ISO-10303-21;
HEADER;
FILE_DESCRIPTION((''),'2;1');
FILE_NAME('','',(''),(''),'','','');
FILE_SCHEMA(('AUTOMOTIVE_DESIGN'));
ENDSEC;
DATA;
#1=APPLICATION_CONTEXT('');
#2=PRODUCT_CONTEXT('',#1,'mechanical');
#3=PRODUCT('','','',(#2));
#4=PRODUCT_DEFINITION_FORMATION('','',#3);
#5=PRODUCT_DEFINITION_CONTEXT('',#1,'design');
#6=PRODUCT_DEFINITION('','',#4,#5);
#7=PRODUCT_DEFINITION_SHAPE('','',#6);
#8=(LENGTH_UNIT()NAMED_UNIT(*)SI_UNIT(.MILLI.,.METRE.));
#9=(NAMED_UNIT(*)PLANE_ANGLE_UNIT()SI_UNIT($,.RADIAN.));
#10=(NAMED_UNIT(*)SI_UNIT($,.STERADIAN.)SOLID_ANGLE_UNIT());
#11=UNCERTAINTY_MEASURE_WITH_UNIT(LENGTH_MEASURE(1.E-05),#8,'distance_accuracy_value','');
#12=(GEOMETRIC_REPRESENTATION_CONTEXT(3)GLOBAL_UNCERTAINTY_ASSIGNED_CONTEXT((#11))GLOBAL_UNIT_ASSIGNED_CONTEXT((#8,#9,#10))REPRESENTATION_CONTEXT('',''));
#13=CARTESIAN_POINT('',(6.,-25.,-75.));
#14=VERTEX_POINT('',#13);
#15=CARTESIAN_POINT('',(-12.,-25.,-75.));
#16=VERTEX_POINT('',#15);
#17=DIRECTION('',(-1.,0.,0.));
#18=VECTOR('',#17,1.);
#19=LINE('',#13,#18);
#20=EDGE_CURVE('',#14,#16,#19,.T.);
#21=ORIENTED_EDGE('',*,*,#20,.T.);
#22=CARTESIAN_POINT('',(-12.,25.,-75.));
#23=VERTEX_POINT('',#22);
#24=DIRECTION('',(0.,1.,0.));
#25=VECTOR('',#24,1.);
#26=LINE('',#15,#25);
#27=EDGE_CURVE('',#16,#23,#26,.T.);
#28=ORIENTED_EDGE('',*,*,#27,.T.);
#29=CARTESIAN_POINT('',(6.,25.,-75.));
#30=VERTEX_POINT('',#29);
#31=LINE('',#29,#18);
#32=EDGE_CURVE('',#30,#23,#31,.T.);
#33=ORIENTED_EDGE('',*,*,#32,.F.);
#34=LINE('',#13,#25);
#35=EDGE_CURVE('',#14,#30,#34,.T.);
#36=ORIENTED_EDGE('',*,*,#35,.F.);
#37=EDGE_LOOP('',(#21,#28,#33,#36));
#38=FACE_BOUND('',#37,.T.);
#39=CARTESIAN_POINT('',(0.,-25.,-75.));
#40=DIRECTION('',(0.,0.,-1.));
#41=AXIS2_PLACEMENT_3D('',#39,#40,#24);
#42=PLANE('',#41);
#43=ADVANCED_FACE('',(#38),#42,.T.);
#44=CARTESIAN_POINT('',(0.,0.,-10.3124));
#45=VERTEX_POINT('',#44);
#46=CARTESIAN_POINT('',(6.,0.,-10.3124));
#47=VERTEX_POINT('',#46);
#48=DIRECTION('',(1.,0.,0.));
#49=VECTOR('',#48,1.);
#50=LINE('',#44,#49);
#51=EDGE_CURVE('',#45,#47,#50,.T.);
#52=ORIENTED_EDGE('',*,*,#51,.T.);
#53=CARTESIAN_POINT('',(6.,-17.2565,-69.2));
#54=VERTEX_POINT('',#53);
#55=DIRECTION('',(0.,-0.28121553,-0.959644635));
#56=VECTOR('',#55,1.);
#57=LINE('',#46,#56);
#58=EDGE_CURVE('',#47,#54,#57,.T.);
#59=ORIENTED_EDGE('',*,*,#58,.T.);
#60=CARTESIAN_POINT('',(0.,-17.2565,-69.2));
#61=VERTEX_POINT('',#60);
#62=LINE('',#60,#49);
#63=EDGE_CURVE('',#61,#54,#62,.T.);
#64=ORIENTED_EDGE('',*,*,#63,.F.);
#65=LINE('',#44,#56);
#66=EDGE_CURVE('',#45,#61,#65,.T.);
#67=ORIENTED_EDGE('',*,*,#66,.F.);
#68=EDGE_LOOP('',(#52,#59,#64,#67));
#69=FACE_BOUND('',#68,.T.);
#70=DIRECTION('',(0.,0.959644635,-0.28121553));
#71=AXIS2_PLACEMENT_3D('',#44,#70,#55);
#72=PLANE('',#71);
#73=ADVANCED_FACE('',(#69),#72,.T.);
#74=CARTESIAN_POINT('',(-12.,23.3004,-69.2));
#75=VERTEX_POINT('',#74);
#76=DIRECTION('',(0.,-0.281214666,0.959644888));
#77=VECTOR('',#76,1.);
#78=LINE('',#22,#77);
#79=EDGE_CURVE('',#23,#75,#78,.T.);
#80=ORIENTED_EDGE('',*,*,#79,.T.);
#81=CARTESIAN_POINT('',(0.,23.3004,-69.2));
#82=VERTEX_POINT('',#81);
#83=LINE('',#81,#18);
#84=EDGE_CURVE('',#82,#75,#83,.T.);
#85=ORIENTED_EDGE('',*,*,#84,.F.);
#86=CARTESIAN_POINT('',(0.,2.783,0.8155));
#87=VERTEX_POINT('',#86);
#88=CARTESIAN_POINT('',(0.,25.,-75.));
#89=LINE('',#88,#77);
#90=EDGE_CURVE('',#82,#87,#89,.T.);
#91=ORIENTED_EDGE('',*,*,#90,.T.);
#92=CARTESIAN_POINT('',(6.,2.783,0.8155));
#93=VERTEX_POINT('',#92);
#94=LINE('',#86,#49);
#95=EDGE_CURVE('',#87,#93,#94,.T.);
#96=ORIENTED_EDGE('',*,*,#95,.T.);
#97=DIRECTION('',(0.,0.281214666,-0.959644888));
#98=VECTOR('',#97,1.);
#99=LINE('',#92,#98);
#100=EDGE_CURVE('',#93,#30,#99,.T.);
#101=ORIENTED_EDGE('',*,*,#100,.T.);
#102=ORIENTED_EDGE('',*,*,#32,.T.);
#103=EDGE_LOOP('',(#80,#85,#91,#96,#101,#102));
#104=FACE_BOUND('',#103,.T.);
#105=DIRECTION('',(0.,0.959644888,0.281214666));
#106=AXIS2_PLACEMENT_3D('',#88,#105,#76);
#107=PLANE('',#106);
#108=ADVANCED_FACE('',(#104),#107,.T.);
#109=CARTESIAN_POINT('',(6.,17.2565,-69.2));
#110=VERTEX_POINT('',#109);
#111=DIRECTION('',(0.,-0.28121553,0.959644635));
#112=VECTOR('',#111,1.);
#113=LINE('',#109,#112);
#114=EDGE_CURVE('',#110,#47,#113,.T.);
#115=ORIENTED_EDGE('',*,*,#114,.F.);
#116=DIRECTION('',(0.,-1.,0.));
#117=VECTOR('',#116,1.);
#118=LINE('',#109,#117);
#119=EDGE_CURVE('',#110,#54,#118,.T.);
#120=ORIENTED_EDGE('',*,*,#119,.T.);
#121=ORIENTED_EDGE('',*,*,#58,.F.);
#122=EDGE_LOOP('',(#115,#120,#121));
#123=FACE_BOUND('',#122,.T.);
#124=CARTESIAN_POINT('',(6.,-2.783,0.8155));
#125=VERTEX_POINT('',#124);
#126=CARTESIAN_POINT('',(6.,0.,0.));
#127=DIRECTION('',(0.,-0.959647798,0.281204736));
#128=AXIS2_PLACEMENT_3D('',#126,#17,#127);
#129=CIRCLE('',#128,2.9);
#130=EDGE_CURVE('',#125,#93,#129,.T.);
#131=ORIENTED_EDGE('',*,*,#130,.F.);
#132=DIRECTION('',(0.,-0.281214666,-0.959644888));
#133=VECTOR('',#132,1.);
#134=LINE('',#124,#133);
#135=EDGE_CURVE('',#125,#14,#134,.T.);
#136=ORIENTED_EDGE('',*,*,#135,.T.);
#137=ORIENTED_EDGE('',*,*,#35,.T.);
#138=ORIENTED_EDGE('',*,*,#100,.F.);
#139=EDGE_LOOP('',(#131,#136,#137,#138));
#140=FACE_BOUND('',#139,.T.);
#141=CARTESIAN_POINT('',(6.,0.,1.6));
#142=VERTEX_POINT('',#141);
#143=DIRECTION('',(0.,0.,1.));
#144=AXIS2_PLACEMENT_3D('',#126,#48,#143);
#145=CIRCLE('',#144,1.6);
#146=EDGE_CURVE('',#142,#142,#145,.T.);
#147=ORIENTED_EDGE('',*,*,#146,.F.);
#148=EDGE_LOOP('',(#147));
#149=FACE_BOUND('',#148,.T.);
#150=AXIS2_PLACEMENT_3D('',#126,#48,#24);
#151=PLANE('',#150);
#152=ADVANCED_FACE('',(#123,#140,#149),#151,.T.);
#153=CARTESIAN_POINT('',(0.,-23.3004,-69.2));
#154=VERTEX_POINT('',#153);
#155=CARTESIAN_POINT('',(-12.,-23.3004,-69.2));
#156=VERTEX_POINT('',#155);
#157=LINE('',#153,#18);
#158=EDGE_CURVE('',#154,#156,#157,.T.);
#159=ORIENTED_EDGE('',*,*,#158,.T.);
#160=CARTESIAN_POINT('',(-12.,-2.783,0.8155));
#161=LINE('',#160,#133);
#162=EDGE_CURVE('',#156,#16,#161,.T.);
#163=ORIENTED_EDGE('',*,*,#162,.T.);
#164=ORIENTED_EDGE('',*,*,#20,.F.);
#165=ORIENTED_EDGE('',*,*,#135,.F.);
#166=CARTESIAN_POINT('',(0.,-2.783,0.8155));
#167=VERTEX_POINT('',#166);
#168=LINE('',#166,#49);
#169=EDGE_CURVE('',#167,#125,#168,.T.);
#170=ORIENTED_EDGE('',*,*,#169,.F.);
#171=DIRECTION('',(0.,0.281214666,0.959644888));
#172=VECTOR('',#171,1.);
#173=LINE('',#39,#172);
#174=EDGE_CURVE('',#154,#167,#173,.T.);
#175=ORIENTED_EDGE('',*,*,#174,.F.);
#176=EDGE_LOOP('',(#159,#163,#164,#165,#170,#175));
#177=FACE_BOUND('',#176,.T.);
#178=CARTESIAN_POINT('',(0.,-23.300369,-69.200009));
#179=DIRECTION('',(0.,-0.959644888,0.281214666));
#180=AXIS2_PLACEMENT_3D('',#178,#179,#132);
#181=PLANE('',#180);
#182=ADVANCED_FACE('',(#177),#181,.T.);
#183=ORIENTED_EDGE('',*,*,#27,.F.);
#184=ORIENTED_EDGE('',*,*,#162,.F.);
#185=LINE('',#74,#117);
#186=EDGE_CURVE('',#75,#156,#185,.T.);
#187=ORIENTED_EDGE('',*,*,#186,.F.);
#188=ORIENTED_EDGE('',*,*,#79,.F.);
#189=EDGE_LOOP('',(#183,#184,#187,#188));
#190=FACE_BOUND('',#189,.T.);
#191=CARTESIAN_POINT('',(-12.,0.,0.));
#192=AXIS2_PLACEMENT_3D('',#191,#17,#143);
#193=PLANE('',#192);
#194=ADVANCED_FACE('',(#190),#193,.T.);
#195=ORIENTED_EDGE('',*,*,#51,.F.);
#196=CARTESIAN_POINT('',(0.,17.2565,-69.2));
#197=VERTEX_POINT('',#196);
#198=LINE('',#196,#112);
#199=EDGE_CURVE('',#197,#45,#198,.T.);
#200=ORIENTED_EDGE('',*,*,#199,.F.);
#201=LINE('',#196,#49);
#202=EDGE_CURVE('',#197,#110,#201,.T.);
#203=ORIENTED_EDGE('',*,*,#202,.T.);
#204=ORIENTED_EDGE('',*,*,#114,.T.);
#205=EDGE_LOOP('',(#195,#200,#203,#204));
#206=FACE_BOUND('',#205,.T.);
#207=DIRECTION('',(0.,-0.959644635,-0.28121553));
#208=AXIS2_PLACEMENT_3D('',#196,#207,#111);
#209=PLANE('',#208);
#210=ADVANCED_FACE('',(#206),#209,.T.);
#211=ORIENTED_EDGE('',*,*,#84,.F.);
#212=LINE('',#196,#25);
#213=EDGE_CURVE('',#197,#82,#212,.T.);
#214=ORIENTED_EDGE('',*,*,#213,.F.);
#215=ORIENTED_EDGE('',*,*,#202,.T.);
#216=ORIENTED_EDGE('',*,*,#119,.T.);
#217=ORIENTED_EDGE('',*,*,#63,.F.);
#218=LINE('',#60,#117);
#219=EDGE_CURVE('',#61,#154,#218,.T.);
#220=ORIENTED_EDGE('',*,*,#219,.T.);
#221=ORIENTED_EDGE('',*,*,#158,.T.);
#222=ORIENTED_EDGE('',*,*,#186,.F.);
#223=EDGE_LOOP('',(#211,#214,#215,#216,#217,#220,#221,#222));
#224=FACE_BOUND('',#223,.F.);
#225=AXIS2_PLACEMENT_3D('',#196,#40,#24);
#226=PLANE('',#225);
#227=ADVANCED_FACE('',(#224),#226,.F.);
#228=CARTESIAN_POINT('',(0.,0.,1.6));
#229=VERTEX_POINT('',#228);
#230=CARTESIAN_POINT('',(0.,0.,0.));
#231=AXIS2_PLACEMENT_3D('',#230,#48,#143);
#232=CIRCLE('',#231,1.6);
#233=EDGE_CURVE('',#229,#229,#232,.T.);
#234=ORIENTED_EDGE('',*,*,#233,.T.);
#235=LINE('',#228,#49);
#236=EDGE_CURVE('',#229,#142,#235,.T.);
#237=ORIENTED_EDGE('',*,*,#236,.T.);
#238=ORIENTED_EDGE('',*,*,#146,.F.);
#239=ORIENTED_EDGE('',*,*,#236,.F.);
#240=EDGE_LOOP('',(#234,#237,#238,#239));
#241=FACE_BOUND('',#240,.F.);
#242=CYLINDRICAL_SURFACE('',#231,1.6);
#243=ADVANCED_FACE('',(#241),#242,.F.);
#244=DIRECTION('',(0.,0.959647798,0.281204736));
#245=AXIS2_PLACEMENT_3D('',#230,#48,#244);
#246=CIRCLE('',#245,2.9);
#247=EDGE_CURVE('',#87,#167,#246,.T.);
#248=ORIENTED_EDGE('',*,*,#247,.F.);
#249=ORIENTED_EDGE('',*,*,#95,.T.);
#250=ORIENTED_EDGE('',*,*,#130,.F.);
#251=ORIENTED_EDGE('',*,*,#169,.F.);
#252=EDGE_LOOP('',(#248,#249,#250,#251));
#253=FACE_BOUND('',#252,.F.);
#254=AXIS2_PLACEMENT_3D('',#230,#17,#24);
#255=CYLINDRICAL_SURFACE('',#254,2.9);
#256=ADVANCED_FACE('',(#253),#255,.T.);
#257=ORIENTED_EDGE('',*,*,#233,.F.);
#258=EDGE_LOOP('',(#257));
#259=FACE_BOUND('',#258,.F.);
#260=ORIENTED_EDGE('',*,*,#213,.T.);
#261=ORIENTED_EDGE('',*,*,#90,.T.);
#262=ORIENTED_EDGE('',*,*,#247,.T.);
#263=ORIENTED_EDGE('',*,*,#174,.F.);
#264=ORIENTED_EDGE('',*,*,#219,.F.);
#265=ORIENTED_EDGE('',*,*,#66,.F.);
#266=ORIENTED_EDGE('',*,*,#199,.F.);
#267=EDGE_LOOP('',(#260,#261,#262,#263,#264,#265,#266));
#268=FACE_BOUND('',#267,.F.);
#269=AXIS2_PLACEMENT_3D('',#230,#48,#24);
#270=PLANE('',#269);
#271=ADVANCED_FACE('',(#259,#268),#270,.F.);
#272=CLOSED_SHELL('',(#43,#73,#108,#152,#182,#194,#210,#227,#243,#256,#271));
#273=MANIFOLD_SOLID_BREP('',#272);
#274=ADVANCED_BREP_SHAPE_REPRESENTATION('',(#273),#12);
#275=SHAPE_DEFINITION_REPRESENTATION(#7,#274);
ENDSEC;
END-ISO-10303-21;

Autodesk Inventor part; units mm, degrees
ref_plane "YZ Plane" through (0, 0, 0) normal (1, 0, 0) x (0, 1, 0)
ref_plane "XZ Plane" through (0, 0, 0) normal (0, 1, 0) x (-1, 0, 0)
ref_plane "XY Plane" through (0, 0, 0) normal (0, 0, 1) x (1, 0, 0)
sketch "Sketch1" plane through (0, 0, 0) normal (1, 0, 0) x (0, 1, 0)
  circle A0 centre (0, 0) radius 2.9
  line L0 (-2.783, 0.8155) -> (-25, -75)
  line L1 (25, -75) -> (2.783, 0.8155)
  line L2 (52.7128, 0) -> (52.7128, -59)
  line L3 (52.7128, -59) -> (25, -75)
  line L4 (-40.5426, 0) -> (68.2554, 0) projected
  line L5 (17.2565, -69.2) -> (0, -10.3124)
  line L6 (0, -10.3124) -> (-17.2565, -69.2)
  line L7 (-17.2565, -69.2) -> (17.2565, -69.2)
  line L8 (0, -90.58) -> (0, 18.48) projected
  line L9 (25, -75) -> (-25, -75)
  dimension "d0" = 5.8
  dimension "d1" = 32
  dimension "d4" = 30
  dimension "d19" = 5.8
  dimension "d20" = 50
  dimension "d21" = 75
extrude "Extrusion1" add sketch "Sketch1" along normal blind 6 contours L4 L8 A0 | L4 L1 L9 L8 L7 L5 A0 | A0 L8 L4 | A0 L1 L4 | L8 L6 L7 L9 L0 L4 A0 | A0 L4 L8 | L4 A0 L8 | L4 L0 A0
hole "Hole1" at (0, 0, 0) direction (1, 0, 0) diameter 3.2 end through all clearance for "Socket Head Cap Screw" size "M3" standard "Ansi Metric M Profile"
sketch "Sketch3" plane through (0, 0, 0) normal (-1, 0, 0) x (0, 0, 1)
  line L0 (-75, 25) -> (0.8155, 2.783) projected
  line L1 (-75, -25) -> (-75, 25) projected
  line L2 (0.8155, -2.783) -> (-75, -25) projected
  line L3 (-10.3124, 0) -> (-69.2, 17.2565) projected
  line L4 (-69.2, -17.2565) -> (-10.3124, 0) projected
  line L5 (-69.2, 17.2565) -> (-69.2, -17.2565) projected
  line L6 (-10.3124, 0) -> (-69.2, 17.2565) projected
  line L7 (-69.2, 17.2565) -> (-69.2, 23.3004)
  line L8 (-75, 25) -> (0.8155, 2.783) projected
  line L9 (-69.2, 17.2565) -> (-69.2, -17.2565) projected
  line L10 (-69.2, -17.2565) -> (-69.2, -23.3004)
  line L11 (0.8155, -2.783) -> (-75, -25) projected
  arc A0 (0.8155, -2.783) -> (0.8155, 2.783) centre (0, 0) ccw projected
  point P0 (0.1794, -3.245)
  point P1 (0.1794, 3.245)
  point P2 (-69.2, -23.3004)
  point P3 (-69.2, 23.3004)
extrude "Extrusion2" add sketch "Sketch3" along normal blind 12 contours L0 L7 L5 L10 L2 L1
properties part number "ArrayBracketSupport"
